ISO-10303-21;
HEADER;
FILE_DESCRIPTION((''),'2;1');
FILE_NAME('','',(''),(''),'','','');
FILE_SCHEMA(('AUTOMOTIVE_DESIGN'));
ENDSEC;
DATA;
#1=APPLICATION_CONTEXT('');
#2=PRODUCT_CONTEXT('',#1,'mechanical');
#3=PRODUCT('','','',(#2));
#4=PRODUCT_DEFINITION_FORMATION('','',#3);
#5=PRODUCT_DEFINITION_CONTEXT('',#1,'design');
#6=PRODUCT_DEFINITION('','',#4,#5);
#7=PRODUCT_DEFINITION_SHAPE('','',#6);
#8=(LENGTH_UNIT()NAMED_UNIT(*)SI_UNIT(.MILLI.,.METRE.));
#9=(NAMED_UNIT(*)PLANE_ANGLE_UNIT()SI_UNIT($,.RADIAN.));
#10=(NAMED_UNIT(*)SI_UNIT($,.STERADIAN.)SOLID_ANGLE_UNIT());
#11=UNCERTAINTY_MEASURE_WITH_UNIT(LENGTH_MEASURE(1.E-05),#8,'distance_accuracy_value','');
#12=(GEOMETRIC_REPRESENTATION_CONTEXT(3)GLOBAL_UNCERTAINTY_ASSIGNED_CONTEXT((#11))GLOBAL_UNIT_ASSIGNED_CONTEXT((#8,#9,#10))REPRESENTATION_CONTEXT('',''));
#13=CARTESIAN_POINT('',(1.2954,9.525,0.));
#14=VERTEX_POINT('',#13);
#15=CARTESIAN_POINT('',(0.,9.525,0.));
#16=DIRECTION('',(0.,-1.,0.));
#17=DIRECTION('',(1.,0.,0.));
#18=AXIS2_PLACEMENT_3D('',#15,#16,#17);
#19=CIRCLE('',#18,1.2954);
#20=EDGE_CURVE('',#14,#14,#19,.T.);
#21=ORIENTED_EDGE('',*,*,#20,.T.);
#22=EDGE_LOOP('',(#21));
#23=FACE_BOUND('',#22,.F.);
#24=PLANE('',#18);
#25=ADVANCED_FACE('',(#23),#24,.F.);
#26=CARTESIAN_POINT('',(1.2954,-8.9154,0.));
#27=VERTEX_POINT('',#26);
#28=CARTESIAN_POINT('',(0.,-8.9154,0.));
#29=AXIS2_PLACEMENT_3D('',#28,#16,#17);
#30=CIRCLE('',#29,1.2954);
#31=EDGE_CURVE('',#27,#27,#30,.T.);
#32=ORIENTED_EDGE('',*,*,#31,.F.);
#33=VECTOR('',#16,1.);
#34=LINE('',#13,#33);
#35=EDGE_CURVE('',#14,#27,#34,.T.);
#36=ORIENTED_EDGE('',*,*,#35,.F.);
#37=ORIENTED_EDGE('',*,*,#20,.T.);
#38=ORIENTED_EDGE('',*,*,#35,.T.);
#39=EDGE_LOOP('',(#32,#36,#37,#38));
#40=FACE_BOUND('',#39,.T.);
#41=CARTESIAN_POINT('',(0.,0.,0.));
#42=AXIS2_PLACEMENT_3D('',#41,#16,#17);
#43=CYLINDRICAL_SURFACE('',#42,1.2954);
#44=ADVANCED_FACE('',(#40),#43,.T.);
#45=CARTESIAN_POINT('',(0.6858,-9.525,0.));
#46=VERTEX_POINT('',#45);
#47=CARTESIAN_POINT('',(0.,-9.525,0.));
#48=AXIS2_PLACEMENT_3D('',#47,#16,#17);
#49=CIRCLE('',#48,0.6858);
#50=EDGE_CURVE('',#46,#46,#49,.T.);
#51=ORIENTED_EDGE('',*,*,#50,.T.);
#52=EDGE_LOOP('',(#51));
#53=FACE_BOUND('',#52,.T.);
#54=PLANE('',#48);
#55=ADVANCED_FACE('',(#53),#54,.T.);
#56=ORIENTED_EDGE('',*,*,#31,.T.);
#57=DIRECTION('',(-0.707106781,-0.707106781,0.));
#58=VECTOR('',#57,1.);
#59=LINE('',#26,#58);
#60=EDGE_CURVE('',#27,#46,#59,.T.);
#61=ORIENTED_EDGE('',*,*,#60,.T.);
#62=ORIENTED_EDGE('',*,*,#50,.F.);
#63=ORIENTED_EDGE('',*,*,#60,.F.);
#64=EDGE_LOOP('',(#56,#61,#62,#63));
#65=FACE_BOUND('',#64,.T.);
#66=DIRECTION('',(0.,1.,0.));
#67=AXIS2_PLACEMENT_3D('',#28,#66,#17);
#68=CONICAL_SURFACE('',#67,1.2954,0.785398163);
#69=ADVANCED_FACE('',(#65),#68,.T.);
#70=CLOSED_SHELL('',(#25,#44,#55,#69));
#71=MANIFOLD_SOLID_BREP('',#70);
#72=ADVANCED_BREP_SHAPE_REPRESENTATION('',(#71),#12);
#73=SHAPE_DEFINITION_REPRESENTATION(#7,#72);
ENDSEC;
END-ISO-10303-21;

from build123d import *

# Parameters (mm, degrees)
F0_R     = 1.2954
F1_DEPTH = 9.525
F2_SIZE  = 0.6096


with BuildPart() as f1:
    # F0 (on Front) → F1 (new body, symmetric)
    with BuildSketch(Plane.XZ):
        Circle(F0_R)
    extrude(amount=F1_DEPTH, both=True)

    # F2
    f2_edges = [f1.edges().sort_by_distance(p)[0] for p in [
        (-1.2954, -9.525, 0),
    ]]
    chamfer(f2_edges, length=F2_SIZE)


solid = f1.part
